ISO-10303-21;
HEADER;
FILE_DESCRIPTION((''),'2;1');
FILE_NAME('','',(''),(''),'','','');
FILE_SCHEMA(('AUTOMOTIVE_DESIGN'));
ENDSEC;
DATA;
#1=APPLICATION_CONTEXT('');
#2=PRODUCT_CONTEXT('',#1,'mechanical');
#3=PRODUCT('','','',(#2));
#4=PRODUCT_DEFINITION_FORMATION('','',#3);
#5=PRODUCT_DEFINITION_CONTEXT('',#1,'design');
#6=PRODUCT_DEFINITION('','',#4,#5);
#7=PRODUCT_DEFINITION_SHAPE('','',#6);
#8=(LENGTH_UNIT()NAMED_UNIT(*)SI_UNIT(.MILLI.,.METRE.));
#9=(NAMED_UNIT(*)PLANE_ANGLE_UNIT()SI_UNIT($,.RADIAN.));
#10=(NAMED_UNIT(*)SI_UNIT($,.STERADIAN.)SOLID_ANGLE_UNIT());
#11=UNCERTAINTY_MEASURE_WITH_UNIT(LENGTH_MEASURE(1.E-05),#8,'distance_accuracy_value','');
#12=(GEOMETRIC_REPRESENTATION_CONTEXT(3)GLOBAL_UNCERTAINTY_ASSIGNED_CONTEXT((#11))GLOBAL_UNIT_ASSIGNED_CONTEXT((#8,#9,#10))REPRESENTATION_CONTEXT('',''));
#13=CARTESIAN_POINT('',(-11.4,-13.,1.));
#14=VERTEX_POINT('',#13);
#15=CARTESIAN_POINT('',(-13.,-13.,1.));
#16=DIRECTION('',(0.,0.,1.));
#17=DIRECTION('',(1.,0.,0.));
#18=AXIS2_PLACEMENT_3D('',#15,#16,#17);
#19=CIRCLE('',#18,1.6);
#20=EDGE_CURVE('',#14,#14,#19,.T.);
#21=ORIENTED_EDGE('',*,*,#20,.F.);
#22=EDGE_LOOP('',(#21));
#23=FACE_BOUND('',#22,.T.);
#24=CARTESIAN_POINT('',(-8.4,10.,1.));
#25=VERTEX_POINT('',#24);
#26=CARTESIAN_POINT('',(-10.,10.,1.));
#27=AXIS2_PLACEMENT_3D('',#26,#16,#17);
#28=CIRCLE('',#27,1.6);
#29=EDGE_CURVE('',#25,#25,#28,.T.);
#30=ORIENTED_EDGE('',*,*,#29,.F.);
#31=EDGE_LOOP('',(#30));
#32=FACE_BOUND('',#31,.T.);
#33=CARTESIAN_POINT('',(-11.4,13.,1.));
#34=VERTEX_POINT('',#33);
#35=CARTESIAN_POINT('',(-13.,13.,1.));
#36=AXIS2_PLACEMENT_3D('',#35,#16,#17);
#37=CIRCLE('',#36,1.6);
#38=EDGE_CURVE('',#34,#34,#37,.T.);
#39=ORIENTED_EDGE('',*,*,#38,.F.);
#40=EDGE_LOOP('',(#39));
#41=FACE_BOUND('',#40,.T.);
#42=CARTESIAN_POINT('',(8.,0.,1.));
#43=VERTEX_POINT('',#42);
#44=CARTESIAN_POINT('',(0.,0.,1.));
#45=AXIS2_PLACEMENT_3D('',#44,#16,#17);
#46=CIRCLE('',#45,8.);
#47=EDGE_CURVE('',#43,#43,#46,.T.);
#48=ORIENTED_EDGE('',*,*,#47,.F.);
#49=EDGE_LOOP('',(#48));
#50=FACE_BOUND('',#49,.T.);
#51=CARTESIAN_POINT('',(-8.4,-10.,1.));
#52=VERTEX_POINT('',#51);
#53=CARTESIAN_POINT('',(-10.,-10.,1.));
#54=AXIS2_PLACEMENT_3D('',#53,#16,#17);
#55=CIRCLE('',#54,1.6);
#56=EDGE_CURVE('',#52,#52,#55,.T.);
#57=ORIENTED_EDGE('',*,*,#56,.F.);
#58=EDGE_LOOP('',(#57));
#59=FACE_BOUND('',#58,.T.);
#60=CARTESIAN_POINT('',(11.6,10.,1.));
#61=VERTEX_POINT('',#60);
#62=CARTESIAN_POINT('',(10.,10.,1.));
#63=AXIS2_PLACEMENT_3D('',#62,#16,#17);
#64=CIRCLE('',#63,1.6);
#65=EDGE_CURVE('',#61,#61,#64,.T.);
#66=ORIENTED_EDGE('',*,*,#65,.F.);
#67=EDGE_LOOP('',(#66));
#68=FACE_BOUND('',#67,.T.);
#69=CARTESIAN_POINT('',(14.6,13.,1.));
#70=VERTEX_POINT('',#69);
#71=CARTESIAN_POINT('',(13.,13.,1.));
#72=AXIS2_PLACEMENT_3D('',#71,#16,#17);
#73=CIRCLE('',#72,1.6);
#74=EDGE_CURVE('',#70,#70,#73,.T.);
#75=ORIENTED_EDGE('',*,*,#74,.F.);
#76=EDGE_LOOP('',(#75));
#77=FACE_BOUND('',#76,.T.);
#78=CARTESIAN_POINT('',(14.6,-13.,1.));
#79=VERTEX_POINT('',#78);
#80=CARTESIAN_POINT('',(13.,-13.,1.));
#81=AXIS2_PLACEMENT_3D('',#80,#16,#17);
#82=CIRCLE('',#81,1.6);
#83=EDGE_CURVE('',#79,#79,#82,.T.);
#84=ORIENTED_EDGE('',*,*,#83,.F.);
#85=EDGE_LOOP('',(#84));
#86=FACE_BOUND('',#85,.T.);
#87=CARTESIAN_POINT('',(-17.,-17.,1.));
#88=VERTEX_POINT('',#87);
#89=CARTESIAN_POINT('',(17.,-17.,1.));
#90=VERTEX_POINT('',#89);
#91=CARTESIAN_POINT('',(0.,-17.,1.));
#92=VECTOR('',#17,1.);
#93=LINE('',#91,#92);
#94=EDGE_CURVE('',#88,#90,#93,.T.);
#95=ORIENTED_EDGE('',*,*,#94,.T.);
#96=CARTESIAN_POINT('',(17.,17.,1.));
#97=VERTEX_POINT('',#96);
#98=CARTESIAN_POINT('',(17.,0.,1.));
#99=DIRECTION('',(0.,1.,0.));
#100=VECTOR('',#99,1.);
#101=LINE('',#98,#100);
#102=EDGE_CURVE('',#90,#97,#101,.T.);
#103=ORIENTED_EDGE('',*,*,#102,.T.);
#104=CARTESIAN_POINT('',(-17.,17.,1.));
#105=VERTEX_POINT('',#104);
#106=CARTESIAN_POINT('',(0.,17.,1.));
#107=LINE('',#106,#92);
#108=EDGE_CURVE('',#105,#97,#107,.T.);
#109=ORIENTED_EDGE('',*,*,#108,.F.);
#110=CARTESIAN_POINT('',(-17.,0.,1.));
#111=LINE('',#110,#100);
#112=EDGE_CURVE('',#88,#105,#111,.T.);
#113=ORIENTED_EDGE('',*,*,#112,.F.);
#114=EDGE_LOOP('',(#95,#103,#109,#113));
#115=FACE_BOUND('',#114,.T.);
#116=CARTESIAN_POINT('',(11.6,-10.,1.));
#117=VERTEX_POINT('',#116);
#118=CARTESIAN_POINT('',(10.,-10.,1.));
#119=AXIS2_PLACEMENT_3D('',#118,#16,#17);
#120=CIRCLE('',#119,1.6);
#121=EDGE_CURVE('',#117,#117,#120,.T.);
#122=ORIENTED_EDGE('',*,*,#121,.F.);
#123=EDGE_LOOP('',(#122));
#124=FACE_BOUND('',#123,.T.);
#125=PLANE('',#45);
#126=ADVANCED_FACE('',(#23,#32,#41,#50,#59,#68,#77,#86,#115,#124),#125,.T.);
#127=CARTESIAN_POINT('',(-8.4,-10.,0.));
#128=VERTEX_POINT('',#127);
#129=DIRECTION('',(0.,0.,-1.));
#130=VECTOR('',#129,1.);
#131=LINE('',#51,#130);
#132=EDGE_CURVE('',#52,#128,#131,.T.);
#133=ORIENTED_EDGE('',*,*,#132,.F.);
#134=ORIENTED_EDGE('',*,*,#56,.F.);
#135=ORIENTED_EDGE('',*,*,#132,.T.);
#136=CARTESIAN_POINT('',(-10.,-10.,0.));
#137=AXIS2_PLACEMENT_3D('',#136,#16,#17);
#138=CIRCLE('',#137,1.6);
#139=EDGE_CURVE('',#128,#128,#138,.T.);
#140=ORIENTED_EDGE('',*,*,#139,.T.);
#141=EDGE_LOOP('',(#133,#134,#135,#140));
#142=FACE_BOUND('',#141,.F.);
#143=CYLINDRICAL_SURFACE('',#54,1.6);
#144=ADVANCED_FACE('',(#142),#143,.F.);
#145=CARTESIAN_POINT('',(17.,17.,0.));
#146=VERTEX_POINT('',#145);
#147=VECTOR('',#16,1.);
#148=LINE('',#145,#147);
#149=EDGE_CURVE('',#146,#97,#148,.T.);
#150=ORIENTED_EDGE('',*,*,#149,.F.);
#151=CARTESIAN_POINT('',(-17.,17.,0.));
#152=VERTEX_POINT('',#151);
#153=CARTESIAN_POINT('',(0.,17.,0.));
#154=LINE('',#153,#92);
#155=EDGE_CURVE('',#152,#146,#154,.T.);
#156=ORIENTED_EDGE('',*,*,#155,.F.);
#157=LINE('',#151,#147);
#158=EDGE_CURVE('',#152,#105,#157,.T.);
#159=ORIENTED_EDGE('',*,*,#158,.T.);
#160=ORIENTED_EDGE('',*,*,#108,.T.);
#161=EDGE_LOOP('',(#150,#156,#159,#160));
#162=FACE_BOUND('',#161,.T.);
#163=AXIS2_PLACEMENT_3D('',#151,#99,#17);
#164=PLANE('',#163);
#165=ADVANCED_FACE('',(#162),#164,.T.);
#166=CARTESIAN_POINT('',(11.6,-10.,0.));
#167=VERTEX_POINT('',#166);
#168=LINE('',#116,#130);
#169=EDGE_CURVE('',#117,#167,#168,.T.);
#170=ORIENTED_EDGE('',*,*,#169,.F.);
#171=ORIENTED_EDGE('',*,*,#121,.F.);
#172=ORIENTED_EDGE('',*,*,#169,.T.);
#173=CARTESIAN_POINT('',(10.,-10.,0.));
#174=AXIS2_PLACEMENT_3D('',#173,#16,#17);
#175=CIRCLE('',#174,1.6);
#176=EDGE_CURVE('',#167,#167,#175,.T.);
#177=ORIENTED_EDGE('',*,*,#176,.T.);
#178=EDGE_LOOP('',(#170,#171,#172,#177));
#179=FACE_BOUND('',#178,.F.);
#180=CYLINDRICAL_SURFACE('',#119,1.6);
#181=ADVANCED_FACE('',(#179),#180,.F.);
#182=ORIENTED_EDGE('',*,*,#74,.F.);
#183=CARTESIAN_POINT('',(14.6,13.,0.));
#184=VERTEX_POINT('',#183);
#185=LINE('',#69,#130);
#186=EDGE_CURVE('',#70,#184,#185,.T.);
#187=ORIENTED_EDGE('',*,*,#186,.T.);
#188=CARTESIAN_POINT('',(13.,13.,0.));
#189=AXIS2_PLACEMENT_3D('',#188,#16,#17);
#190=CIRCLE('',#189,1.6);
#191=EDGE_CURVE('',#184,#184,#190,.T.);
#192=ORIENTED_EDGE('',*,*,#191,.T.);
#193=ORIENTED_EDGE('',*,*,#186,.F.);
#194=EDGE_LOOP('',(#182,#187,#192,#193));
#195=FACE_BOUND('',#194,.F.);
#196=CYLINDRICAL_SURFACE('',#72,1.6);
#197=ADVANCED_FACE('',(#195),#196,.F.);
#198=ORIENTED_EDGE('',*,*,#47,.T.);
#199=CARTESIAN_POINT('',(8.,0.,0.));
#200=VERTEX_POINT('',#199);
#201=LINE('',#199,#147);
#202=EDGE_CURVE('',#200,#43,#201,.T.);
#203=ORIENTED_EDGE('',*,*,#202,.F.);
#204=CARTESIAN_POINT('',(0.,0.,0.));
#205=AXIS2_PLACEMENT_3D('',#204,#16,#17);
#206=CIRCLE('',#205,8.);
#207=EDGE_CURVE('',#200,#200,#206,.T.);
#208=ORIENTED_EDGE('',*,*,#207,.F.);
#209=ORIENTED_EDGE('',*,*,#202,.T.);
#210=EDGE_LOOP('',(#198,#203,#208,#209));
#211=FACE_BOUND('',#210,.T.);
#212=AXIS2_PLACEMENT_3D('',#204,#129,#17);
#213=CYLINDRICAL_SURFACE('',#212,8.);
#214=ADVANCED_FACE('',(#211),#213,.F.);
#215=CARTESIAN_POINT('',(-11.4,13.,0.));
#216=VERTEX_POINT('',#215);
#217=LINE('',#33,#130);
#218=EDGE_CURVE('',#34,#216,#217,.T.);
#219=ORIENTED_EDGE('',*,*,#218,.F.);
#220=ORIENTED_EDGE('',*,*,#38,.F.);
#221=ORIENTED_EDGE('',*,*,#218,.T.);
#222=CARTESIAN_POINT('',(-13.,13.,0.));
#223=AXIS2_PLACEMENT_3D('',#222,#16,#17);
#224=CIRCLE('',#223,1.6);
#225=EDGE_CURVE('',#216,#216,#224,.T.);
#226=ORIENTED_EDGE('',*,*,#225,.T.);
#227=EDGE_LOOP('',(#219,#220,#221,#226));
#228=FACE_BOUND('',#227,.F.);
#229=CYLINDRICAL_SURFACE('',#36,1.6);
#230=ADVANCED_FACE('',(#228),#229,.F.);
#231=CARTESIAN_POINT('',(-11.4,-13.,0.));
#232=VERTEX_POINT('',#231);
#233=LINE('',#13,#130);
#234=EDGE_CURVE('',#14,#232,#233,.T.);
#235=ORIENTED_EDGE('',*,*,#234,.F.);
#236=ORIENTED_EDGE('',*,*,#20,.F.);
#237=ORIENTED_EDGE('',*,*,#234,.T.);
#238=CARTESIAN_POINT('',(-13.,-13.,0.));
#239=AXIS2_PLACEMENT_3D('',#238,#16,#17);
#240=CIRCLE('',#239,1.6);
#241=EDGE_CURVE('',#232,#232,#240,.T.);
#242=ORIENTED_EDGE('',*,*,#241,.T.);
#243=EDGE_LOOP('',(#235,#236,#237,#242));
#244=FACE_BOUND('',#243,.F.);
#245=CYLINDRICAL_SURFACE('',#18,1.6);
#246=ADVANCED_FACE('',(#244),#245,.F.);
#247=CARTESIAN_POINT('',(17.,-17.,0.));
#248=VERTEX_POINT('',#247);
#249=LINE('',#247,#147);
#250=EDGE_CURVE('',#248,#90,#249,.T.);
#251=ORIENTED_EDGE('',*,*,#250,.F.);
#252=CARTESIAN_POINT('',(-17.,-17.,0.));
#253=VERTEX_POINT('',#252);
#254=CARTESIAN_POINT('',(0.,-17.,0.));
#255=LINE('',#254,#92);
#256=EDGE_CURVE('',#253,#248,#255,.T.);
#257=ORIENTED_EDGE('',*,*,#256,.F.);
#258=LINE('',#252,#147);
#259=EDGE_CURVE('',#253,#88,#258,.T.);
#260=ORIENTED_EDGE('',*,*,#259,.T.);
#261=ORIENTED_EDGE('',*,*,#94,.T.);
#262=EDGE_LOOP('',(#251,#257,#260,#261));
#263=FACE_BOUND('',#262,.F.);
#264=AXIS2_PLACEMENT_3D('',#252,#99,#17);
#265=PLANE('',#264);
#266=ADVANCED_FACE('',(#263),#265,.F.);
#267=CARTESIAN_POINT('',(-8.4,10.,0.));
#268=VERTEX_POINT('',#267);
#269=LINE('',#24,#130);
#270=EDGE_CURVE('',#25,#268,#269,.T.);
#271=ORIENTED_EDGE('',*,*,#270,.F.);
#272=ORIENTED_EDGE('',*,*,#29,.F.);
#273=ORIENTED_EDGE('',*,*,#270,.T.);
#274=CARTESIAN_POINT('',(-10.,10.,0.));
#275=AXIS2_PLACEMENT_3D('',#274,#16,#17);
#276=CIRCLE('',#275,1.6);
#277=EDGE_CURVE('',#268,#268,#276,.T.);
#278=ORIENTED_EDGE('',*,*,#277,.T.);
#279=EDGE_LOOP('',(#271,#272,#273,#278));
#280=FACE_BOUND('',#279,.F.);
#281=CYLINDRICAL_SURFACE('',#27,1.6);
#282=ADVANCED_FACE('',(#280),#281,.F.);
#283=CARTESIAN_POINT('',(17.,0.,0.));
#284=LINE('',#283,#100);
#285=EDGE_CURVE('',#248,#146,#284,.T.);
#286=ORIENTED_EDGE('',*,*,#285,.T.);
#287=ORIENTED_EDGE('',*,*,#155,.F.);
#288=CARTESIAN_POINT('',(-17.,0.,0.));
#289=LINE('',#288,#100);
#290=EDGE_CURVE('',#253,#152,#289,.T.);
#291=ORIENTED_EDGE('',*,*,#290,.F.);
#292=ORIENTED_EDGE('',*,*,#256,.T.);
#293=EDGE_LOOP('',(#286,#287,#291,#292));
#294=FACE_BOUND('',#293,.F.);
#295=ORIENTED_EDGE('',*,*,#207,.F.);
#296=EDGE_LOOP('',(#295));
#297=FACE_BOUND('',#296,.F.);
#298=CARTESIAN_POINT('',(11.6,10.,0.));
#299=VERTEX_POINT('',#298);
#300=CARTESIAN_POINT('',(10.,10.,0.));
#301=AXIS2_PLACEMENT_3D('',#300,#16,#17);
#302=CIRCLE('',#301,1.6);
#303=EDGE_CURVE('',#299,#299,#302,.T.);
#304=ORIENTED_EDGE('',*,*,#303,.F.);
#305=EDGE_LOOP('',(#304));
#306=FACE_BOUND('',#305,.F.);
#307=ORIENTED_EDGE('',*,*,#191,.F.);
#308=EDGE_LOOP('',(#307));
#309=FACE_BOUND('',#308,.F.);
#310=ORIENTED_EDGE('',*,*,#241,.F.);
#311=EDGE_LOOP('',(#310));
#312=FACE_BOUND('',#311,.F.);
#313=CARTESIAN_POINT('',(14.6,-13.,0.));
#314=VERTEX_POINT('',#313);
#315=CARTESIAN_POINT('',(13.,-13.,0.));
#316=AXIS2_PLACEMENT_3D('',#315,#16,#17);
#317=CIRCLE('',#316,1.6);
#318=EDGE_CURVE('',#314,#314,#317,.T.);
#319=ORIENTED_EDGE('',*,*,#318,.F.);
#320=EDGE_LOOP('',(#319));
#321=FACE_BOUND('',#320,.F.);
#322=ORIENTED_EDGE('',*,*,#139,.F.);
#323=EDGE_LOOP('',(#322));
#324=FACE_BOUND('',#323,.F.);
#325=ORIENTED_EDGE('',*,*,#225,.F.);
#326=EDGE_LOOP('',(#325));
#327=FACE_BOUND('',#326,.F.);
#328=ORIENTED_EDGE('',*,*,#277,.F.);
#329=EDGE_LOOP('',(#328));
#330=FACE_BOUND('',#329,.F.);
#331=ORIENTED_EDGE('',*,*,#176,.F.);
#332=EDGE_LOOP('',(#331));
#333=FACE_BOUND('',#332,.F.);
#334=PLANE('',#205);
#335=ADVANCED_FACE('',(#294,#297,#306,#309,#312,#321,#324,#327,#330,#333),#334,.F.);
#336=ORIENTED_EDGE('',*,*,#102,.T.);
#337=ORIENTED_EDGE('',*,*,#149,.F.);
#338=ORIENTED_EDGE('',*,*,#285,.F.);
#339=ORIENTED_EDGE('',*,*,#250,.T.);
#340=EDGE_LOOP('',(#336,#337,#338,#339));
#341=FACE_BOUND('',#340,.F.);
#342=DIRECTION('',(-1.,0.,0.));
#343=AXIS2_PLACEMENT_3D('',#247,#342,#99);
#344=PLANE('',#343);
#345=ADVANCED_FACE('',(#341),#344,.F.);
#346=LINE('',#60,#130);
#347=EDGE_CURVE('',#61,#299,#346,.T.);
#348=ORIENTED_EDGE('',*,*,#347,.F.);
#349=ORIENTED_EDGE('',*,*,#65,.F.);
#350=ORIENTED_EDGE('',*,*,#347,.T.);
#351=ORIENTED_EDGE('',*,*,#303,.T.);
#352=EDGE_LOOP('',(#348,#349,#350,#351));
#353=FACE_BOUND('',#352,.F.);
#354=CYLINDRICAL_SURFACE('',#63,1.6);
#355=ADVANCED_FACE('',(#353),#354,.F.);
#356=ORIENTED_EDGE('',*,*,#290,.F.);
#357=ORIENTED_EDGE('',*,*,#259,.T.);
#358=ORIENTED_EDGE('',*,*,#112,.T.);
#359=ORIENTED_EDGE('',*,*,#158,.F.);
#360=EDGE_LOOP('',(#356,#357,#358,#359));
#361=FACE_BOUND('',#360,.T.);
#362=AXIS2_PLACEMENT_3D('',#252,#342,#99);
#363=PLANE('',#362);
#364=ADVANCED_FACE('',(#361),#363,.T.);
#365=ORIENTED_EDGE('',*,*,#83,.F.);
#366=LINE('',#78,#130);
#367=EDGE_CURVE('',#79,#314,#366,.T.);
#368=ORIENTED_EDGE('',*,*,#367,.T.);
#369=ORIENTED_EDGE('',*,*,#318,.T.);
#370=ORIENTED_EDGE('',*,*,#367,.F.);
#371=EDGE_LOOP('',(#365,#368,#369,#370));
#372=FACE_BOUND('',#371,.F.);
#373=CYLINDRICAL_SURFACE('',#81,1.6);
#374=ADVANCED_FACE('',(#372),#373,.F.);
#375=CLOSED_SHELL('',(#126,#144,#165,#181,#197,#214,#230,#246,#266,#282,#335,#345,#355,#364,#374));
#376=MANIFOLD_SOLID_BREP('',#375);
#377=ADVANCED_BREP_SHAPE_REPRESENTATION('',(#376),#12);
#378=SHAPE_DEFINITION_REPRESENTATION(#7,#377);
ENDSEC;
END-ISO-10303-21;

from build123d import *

# Parameters (mm, degrees)
SKETCH_W        = 34
SKETCH_H        = 34
SKETCH_R        = 8
PAD_DEPTH       = 1
SKETCH001_R     = 1.6
POCKET_DEPTH    = 5
SKETCH002_R     = 1.6
POCKET001_DEPTH = 5


with BuildPart() as part:
    # Sketch → Pad (new body)
    with BuildSketch(Plane.XY):
        Rectangle(SKETCH_W, SKETCH_H)
        Circle(SKETCH_R, mode=Mode.SUBTRACT)
    extrude(amount=PAD_DEPTH)

    # Sketch001 (on Face7 of Pad) → Pocket (cut)
    with BuildSketch(Plane.XY.offset(1)):
        with Locations((10, 10)):
            Circle(SKETCH001_R)
        with Locations((10, -10)):
            Circle(SKETCH001_R)
        with Locations((-10, 10)):
            Circle(SKETCH001_R)
        with Locations((-10, -10)):
            Circle(SKETCH001_R)
    extrude(amount=-POCKET_DEPTH, mode=Mode.SUBTRACT)

    # Sketch002 (on Face5 of Pocket) → Pocket001 (cut)
    with BuildSketch(Plane.XY.offset(1)):
        with Locations((-13, 13)):
            Circle(SKETCH002_R)
        with Locations((13, 13)):
            Circle(SKETCH002_R)
        with Locations((-13, -13)):
            Circle(SKETCH002_R)
        with Locations((13, -13)):
            Circle(SKETCH002_R)
    extrude(amount=-POCKET001_DEPTH, mode=Mode.SUBTRACT)


solid = part.part
